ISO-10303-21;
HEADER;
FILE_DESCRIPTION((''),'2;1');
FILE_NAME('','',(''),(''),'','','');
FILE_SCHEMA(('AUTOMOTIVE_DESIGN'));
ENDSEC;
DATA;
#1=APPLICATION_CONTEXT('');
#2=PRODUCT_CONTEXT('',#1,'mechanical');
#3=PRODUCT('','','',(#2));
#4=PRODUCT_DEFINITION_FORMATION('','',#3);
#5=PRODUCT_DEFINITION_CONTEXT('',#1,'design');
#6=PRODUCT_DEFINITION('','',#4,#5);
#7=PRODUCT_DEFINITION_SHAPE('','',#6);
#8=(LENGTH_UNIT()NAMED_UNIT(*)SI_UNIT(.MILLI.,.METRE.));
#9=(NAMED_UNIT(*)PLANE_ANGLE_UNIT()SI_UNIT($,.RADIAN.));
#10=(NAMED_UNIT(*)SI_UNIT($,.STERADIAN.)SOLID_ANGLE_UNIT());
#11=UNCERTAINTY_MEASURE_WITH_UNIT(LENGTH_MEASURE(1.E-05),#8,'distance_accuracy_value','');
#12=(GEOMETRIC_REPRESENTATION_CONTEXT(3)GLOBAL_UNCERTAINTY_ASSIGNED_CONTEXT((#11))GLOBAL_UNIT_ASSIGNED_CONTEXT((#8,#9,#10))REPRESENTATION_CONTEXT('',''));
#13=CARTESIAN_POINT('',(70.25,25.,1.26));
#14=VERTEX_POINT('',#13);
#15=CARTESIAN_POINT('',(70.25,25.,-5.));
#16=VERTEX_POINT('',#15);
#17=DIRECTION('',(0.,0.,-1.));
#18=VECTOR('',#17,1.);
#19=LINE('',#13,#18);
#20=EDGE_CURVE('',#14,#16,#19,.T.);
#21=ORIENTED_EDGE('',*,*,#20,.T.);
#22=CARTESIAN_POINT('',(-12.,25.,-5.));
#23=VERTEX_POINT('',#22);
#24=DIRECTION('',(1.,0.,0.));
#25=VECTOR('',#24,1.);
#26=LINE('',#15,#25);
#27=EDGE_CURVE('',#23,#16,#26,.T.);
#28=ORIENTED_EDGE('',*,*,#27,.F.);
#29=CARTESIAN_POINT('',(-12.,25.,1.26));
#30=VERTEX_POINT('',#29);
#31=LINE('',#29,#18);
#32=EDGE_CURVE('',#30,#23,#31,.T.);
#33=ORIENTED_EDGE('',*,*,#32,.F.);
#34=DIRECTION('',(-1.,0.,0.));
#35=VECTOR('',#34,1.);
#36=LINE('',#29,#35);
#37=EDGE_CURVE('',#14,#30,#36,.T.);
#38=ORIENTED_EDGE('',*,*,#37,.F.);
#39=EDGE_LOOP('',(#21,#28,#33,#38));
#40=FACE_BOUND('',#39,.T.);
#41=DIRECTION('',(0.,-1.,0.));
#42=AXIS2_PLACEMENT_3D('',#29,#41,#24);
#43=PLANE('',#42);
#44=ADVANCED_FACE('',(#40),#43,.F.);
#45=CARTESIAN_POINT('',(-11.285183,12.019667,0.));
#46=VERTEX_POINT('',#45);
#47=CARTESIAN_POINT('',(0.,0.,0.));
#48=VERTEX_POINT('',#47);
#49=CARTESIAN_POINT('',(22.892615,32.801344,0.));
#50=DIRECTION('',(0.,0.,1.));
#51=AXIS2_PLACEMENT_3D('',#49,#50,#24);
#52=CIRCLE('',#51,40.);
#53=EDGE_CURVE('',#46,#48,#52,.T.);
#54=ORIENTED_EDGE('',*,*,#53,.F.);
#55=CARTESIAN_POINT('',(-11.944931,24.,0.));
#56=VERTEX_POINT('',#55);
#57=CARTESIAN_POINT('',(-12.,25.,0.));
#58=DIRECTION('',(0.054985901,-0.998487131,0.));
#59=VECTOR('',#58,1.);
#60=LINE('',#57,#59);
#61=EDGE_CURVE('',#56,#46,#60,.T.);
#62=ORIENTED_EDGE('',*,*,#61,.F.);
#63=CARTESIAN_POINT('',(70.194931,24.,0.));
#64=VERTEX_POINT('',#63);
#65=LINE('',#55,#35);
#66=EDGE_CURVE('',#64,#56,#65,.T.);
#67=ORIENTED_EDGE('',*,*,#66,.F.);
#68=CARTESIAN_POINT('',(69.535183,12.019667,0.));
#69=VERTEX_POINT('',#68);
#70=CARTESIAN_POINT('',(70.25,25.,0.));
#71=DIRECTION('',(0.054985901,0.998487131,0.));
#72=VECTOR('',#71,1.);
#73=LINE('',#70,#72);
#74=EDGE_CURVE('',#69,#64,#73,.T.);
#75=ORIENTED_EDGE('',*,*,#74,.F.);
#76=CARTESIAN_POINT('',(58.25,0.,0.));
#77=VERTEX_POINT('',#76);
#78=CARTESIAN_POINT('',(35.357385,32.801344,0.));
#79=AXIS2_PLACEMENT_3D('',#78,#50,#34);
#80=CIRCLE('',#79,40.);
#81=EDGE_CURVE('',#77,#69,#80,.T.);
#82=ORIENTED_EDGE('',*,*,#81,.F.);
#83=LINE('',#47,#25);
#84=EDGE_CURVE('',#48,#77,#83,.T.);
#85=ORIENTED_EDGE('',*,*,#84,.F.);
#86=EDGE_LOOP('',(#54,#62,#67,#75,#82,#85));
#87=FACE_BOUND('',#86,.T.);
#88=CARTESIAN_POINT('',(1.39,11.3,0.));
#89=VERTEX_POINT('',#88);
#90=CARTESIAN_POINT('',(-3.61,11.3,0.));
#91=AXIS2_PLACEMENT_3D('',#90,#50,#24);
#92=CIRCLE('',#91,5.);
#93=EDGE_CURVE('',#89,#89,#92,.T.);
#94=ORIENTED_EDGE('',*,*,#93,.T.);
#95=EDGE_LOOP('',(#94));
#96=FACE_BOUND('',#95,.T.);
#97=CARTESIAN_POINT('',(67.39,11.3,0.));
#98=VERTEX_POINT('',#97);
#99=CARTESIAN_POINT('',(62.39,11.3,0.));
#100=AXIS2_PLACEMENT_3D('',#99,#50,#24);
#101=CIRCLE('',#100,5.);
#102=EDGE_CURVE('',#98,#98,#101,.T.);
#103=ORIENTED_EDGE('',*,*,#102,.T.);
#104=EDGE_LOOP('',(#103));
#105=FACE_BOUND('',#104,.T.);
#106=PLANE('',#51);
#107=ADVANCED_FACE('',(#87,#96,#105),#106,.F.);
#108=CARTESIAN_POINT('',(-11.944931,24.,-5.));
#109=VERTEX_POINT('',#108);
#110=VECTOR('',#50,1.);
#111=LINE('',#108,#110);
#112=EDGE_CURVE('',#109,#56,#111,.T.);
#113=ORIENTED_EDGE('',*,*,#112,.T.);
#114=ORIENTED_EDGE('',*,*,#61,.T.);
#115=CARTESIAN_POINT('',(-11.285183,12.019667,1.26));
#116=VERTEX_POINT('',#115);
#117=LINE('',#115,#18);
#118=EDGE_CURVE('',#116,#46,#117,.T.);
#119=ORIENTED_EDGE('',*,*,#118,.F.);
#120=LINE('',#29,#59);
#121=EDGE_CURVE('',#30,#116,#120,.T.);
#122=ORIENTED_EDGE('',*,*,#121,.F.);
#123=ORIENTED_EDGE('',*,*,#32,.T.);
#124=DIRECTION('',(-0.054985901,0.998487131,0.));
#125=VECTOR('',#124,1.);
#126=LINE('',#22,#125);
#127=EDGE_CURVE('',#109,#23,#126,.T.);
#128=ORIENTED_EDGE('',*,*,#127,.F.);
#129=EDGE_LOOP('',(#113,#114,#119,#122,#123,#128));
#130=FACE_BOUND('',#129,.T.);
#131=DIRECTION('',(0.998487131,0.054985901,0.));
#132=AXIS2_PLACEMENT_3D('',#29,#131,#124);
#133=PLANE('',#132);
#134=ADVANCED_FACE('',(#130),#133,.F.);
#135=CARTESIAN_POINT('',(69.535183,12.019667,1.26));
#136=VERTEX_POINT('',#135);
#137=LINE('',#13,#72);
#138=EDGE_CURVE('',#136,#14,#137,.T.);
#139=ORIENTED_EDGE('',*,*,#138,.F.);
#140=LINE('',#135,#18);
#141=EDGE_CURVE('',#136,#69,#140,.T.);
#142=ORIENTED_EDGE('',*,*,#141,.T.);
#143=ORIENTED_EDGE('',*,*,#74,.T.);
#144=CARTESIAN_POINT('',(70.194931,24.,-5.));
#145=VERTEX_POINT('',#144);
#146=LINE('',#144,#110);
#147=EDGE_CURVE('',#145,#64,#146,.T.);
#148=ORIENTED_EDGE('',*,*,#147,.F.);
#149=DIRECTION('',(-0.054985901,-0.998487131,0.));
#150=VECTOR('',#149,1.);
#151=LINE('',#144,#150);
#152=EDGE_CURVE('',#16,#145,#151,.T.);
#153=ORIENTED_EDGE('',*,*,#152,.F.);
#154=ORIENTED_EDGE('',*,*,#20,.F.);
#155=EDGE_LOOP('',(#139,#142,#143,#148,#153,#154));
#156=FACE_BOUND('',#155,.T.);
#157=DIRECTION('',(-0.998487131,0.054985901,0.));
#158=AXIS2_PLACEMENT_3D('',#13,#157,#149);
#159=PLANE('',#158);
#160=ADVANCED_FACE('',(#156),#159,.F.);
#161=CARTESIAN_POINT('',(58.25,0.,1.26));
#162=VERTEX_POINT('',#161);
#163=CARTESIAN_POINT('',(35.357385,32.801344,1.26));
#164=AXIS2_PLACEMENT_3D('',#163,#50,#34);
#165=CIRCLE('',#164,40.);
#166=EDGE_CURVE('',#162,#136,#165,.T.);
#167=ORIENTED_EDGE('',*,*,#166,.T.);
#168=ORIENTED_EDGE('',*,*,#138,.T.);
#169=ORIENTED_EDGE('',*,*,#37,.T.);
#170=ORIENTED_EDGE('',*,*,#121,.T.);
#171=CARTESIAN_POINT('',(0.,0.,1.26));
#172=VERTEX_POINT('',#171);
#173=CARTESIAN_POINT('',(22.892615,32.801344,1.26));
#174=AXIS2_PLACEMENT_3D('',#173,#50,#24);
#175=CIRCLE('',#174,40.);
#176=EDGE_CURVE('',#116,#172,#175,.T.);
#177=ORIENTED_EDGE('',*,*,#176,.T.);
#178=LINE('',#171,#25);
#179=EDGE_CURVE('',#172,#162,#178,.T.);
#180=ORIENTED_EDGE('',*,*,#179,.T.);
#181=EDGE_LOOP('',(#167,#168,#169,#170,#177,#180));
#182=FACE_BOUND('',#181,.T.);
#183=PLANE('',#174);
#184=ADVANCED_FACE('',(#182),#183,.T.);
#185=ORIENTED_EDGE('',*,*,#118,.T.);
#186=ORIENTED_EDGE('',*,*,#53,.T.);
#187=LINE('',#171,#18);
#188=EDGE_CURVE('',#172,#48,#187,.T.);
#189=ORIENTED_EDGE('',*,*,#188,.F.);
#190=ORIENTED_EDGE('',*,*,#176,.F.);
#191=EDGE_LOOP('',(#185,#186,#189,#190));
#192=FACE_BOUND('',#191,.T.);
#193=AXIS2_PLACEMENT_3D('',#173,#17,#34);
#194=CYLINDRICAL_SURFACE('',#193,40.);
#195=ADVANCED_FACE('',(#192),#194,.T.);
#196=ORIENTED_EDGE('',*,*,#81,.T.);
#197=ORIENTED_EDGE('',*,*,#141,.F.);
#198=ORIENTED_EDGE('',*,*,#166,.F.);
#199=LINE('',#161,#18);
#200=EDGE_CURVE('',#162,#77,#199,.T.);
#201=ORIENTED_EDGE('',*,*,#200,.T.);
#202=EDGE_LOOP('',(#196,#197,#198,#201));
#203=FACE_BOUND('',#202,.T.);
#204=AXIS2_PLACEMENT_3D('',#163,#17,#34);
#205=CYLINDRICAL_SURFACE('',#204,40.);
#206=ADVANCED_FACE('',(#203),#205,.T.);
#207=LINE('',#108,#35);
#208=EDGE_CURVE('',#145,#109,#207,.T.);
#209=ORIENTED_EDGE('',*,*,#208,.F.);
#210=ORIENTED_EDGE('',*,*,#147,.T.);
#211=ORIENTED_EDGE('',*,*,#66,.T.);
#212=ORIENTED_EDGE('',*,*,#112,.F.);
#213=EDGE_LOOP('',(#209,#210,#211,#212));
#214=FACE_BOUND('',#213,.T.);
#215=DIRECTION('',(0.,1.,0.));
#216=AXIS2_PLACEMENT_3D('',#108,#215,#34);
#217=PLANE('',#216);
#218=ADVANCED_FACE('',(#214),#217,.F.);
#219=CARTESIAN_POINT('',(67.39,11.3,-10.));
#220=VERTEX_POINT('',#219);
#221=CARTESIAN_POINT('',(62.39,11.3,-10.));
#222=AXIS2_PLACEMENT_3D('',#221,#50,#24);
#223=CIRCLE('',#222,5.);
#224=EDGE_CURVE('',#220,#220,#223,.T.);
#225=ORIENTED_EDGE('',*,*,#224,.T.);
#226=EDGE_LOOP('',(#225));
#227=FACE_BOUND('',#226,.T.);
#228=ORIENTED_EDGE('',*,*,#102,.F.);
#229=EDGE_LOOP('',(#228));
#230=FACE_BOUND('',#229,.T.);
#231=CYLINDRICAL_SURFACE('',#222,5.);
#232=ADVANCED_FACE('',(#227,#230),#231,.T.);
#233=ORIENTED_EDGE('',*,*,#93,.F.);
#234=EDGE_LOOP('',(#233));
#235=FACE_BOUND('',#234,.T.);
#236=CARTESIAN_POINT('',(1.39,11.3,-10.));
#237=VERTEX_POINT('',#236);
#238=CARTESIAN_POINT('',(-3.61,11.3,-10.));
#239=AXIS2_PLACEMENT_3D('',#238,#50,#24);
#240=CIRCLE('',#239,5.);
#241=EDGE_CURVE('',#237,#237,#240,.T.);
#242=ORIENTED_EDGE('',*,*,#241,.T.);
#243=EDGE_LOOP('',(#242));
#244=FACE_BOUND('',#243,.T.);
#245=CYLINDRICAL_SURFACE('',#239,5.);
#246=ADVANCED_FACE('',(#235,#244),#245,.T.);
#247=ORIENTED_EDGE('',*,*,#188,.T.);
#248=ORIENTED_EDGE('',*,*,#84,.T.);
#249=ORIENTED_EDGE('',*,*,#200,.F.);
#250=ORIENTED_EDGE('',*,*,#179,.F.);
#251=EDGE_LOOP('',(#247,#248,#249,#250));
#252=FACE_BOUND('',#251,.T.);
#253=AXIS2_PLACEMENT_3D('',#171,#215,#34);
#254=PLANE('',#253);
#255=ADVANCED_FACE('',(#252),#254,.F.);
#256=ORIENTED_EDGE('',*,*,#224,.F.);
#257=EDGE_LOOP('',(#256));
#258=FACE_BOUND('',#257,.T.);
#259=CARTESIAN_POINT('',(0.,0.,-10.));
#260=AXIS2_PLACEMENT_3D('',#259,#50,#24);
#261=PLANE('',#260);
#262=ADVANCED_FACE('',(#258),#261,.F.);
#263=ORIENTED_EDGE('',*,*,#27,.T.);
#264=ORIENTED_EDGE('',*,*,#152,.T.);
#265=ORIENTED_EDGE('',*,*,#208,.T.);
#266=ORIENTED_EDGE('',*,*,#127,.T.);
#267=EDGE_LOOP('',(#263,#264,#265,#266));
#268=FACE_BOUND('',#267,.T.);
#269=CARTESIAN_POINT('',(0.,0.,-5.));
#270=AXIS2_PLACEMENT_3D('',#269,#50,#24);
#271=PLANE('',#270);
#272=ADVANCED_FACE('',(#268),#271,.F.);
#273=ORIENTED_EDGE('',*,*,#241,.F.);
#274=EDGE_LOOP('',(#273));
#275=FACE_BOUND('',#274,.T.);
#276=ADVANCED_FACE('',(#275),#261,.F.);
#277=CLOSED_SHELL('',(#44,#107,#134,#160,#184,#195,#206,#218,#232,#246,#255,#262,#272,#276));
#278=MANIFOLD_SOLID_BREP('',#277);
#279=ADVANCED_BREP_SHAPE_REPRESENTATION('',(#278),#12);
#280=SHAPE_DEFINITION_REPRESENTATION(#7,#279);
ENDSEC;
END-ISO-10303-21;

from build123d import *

# Parameters (mm, degrees)
RESSALTO_EXTRUS_O1_DEPTH = 1.26
ESBO_O2_R                = 5
RESSALTO_EXTRUS_O2_DEPTH = 11.26
RESSALTO_EXTRUS_O3_DEPTH = 5


with BuildPart() as part:
    # Esboço1 → Ressalto-extrusão1 (new body)
    with BuildSketch(Plane.XY):
        with BuildLine():
            Line((0, 0), (58.25, 0))
            ThreePointArc((58.25, 0), (64.518594138, 5.422084196), (69.535183289, 12.019667297))
            Line((69.535183289, 12.019667297), (70.25, 25))
            Line((70.25, 25), (-12, 25))
            Line((-12, 25), (-11.285183289, 12.019667297))
            ThreePointArc((-11.285183289, 12.019667297), (-6.268594138, 5.422084196), (0, 0))
        make_face()
    extrude(amount=RESSALTO_EXTRUS_O1_DEPTH)

    # Esboço2 → Ressalto-extrusão2 (add)
    with BuildSketch(Plane.XY.offset(1.26)):
        with Locations((-3.61, 11.3)):
            Circle(ESBO_O2_R)
        with Locations((62.39, 11.3)):
            Circle(ESBO_O2_R)
    extrude(amount=-RESSALTO_EXTRUS_O2_DEPTH)

    # Esboço3 → Ressalto-extrusão3 (add)
    with BuildSketch(Plane(origin=(0, 0, 0), x_dir=(-1, 0, 0), z_dir=(0, 0, -1))):
        Polygon((-70.25, 25), (12, 25), (11.944930787, 24), (-70.194930787, 24), align=None)
    extrude(amount=RESSALTO_EXTRUS_O3_DEPTH)


solid = part.part
